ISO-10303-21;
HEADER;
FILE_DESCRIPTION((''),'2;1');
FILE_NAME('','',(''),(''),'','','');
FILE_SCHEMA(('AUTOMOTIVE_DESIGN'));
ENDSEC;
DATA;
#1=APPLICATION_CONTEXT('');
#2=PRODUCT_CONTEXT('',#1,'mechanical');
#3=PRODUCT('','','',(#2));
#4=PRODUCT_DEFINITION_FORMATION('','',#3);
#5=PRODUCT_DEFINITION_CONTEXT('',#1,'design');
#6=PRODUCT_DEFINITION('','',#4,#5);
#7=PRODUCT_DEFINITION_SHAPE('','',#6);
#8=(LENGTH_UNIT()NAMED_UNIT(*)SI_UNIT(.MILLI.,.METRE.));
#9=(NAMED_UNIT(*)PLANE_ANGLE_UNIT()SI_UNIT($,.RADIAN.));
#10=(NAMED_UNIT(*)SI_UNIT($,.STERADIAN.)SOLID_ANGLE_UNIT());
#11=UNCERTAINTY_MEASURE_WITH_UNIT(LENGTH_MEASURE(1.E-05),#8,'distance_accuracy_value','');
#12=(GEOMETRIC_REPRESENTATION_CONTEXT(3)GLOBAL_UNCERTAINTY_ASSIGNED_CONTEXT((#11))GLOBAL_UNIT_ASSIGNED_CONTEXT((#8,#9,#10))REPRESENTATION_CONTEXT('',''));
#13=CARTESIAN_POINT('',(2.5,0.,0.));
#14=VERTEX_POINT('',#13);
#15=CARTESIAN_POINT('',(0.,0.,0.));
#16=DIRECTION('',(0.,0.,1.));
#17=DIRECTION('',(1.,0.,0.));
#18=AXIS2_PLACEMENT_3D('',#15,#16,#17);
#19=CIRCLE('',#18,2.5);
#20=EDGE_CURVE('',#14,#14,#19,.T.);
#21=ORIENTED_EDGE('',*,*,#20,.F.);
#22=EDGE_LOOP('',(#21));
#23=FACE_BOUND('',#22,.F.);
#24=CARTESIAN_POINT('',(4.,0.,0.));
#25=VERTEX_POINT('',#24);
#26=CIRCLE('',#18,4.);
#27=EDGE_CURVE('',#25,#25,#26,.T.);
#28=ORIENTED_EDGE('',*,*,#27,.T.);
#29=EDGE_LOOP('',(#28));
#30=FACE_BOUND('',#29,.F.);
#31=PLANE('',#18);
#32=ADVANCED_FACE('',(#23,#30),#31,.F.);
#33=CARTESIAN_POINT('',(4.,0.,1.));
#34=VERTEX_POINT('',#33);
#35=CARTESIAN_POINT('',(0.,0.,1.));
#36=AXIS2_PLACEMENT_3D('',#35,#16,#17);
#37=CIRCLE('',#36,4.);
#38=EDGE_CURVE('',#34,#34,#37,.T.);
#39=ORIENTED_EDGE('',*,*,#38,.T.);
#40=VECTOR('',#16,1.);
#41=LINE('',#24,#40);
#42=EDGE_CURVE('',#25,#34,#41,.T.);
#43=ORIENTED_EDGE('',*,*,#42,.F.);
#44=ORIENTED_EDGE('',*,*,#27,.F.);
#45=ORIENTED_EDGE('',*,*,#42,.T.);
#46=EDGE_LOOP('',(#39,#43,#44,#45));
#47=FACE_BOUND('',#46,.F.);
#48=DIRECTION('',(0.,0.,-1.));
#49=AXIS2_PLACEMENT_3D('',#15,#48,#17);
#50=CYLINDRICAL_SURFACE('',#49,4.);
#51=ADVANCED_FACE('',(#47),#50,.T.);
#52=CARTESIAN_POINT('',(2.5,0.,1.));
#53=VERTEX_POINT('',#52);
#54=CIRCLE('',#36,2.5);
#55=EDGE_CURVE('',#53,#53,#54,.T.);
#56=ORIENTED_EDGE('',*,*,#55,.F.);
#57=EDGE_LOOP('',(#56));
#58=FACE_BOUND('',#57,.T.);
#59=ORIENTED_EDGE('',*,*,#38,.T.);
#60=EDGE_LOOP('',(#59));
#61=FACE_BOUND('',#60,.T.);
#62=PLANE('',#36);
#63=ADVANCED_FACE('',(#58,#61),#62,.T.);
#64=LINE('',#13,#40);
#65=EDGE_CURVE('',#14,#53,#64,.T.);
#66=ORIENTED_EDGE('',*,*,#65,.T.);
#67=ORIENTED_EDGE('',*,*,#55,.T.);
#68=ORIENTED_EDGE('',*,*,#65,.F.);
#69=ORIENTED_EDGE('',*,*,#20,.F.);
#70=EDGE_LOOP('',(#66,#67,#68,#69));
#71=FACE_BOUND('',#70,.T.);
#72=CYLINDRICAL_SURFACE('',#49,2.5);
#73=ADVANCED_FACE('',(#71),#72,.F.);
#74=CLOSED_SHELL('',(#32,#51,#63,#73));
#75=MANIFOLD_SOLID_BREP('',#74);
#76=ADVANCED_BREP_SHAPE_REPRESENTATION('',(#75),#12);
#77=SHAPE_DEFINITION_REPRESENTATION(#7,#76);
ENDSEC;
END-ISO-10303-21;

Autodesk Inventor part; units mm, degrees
ref_plane "YZ Plane" through (0, 0, 0) normal (1, 0, 0) x (0, 1, 0)
ref_plane "XZ Plane" through (0, 0, 0) normal (0, 1, 0) x (-1, 0, 0)
ref_plane "XY Plane" through (0, 0, 0) normal (0, 0, 1) x (1, 0, 0)
sketch "Sketch1" plane through (0, 0, 0) normal (0, 0, 1) x (1, 0, 0)
  circle A0 centre (0, 0) radius 2.5
  circle A1 centre (0, 0) radius 4
  dimension "d0" = 5
  dimension "d1" = 8
extrude "Extrusion1" add sketch "Sketch1" along normal blind 1
properties part number "Micro V Precision Shim" material "Stainless Steel"
